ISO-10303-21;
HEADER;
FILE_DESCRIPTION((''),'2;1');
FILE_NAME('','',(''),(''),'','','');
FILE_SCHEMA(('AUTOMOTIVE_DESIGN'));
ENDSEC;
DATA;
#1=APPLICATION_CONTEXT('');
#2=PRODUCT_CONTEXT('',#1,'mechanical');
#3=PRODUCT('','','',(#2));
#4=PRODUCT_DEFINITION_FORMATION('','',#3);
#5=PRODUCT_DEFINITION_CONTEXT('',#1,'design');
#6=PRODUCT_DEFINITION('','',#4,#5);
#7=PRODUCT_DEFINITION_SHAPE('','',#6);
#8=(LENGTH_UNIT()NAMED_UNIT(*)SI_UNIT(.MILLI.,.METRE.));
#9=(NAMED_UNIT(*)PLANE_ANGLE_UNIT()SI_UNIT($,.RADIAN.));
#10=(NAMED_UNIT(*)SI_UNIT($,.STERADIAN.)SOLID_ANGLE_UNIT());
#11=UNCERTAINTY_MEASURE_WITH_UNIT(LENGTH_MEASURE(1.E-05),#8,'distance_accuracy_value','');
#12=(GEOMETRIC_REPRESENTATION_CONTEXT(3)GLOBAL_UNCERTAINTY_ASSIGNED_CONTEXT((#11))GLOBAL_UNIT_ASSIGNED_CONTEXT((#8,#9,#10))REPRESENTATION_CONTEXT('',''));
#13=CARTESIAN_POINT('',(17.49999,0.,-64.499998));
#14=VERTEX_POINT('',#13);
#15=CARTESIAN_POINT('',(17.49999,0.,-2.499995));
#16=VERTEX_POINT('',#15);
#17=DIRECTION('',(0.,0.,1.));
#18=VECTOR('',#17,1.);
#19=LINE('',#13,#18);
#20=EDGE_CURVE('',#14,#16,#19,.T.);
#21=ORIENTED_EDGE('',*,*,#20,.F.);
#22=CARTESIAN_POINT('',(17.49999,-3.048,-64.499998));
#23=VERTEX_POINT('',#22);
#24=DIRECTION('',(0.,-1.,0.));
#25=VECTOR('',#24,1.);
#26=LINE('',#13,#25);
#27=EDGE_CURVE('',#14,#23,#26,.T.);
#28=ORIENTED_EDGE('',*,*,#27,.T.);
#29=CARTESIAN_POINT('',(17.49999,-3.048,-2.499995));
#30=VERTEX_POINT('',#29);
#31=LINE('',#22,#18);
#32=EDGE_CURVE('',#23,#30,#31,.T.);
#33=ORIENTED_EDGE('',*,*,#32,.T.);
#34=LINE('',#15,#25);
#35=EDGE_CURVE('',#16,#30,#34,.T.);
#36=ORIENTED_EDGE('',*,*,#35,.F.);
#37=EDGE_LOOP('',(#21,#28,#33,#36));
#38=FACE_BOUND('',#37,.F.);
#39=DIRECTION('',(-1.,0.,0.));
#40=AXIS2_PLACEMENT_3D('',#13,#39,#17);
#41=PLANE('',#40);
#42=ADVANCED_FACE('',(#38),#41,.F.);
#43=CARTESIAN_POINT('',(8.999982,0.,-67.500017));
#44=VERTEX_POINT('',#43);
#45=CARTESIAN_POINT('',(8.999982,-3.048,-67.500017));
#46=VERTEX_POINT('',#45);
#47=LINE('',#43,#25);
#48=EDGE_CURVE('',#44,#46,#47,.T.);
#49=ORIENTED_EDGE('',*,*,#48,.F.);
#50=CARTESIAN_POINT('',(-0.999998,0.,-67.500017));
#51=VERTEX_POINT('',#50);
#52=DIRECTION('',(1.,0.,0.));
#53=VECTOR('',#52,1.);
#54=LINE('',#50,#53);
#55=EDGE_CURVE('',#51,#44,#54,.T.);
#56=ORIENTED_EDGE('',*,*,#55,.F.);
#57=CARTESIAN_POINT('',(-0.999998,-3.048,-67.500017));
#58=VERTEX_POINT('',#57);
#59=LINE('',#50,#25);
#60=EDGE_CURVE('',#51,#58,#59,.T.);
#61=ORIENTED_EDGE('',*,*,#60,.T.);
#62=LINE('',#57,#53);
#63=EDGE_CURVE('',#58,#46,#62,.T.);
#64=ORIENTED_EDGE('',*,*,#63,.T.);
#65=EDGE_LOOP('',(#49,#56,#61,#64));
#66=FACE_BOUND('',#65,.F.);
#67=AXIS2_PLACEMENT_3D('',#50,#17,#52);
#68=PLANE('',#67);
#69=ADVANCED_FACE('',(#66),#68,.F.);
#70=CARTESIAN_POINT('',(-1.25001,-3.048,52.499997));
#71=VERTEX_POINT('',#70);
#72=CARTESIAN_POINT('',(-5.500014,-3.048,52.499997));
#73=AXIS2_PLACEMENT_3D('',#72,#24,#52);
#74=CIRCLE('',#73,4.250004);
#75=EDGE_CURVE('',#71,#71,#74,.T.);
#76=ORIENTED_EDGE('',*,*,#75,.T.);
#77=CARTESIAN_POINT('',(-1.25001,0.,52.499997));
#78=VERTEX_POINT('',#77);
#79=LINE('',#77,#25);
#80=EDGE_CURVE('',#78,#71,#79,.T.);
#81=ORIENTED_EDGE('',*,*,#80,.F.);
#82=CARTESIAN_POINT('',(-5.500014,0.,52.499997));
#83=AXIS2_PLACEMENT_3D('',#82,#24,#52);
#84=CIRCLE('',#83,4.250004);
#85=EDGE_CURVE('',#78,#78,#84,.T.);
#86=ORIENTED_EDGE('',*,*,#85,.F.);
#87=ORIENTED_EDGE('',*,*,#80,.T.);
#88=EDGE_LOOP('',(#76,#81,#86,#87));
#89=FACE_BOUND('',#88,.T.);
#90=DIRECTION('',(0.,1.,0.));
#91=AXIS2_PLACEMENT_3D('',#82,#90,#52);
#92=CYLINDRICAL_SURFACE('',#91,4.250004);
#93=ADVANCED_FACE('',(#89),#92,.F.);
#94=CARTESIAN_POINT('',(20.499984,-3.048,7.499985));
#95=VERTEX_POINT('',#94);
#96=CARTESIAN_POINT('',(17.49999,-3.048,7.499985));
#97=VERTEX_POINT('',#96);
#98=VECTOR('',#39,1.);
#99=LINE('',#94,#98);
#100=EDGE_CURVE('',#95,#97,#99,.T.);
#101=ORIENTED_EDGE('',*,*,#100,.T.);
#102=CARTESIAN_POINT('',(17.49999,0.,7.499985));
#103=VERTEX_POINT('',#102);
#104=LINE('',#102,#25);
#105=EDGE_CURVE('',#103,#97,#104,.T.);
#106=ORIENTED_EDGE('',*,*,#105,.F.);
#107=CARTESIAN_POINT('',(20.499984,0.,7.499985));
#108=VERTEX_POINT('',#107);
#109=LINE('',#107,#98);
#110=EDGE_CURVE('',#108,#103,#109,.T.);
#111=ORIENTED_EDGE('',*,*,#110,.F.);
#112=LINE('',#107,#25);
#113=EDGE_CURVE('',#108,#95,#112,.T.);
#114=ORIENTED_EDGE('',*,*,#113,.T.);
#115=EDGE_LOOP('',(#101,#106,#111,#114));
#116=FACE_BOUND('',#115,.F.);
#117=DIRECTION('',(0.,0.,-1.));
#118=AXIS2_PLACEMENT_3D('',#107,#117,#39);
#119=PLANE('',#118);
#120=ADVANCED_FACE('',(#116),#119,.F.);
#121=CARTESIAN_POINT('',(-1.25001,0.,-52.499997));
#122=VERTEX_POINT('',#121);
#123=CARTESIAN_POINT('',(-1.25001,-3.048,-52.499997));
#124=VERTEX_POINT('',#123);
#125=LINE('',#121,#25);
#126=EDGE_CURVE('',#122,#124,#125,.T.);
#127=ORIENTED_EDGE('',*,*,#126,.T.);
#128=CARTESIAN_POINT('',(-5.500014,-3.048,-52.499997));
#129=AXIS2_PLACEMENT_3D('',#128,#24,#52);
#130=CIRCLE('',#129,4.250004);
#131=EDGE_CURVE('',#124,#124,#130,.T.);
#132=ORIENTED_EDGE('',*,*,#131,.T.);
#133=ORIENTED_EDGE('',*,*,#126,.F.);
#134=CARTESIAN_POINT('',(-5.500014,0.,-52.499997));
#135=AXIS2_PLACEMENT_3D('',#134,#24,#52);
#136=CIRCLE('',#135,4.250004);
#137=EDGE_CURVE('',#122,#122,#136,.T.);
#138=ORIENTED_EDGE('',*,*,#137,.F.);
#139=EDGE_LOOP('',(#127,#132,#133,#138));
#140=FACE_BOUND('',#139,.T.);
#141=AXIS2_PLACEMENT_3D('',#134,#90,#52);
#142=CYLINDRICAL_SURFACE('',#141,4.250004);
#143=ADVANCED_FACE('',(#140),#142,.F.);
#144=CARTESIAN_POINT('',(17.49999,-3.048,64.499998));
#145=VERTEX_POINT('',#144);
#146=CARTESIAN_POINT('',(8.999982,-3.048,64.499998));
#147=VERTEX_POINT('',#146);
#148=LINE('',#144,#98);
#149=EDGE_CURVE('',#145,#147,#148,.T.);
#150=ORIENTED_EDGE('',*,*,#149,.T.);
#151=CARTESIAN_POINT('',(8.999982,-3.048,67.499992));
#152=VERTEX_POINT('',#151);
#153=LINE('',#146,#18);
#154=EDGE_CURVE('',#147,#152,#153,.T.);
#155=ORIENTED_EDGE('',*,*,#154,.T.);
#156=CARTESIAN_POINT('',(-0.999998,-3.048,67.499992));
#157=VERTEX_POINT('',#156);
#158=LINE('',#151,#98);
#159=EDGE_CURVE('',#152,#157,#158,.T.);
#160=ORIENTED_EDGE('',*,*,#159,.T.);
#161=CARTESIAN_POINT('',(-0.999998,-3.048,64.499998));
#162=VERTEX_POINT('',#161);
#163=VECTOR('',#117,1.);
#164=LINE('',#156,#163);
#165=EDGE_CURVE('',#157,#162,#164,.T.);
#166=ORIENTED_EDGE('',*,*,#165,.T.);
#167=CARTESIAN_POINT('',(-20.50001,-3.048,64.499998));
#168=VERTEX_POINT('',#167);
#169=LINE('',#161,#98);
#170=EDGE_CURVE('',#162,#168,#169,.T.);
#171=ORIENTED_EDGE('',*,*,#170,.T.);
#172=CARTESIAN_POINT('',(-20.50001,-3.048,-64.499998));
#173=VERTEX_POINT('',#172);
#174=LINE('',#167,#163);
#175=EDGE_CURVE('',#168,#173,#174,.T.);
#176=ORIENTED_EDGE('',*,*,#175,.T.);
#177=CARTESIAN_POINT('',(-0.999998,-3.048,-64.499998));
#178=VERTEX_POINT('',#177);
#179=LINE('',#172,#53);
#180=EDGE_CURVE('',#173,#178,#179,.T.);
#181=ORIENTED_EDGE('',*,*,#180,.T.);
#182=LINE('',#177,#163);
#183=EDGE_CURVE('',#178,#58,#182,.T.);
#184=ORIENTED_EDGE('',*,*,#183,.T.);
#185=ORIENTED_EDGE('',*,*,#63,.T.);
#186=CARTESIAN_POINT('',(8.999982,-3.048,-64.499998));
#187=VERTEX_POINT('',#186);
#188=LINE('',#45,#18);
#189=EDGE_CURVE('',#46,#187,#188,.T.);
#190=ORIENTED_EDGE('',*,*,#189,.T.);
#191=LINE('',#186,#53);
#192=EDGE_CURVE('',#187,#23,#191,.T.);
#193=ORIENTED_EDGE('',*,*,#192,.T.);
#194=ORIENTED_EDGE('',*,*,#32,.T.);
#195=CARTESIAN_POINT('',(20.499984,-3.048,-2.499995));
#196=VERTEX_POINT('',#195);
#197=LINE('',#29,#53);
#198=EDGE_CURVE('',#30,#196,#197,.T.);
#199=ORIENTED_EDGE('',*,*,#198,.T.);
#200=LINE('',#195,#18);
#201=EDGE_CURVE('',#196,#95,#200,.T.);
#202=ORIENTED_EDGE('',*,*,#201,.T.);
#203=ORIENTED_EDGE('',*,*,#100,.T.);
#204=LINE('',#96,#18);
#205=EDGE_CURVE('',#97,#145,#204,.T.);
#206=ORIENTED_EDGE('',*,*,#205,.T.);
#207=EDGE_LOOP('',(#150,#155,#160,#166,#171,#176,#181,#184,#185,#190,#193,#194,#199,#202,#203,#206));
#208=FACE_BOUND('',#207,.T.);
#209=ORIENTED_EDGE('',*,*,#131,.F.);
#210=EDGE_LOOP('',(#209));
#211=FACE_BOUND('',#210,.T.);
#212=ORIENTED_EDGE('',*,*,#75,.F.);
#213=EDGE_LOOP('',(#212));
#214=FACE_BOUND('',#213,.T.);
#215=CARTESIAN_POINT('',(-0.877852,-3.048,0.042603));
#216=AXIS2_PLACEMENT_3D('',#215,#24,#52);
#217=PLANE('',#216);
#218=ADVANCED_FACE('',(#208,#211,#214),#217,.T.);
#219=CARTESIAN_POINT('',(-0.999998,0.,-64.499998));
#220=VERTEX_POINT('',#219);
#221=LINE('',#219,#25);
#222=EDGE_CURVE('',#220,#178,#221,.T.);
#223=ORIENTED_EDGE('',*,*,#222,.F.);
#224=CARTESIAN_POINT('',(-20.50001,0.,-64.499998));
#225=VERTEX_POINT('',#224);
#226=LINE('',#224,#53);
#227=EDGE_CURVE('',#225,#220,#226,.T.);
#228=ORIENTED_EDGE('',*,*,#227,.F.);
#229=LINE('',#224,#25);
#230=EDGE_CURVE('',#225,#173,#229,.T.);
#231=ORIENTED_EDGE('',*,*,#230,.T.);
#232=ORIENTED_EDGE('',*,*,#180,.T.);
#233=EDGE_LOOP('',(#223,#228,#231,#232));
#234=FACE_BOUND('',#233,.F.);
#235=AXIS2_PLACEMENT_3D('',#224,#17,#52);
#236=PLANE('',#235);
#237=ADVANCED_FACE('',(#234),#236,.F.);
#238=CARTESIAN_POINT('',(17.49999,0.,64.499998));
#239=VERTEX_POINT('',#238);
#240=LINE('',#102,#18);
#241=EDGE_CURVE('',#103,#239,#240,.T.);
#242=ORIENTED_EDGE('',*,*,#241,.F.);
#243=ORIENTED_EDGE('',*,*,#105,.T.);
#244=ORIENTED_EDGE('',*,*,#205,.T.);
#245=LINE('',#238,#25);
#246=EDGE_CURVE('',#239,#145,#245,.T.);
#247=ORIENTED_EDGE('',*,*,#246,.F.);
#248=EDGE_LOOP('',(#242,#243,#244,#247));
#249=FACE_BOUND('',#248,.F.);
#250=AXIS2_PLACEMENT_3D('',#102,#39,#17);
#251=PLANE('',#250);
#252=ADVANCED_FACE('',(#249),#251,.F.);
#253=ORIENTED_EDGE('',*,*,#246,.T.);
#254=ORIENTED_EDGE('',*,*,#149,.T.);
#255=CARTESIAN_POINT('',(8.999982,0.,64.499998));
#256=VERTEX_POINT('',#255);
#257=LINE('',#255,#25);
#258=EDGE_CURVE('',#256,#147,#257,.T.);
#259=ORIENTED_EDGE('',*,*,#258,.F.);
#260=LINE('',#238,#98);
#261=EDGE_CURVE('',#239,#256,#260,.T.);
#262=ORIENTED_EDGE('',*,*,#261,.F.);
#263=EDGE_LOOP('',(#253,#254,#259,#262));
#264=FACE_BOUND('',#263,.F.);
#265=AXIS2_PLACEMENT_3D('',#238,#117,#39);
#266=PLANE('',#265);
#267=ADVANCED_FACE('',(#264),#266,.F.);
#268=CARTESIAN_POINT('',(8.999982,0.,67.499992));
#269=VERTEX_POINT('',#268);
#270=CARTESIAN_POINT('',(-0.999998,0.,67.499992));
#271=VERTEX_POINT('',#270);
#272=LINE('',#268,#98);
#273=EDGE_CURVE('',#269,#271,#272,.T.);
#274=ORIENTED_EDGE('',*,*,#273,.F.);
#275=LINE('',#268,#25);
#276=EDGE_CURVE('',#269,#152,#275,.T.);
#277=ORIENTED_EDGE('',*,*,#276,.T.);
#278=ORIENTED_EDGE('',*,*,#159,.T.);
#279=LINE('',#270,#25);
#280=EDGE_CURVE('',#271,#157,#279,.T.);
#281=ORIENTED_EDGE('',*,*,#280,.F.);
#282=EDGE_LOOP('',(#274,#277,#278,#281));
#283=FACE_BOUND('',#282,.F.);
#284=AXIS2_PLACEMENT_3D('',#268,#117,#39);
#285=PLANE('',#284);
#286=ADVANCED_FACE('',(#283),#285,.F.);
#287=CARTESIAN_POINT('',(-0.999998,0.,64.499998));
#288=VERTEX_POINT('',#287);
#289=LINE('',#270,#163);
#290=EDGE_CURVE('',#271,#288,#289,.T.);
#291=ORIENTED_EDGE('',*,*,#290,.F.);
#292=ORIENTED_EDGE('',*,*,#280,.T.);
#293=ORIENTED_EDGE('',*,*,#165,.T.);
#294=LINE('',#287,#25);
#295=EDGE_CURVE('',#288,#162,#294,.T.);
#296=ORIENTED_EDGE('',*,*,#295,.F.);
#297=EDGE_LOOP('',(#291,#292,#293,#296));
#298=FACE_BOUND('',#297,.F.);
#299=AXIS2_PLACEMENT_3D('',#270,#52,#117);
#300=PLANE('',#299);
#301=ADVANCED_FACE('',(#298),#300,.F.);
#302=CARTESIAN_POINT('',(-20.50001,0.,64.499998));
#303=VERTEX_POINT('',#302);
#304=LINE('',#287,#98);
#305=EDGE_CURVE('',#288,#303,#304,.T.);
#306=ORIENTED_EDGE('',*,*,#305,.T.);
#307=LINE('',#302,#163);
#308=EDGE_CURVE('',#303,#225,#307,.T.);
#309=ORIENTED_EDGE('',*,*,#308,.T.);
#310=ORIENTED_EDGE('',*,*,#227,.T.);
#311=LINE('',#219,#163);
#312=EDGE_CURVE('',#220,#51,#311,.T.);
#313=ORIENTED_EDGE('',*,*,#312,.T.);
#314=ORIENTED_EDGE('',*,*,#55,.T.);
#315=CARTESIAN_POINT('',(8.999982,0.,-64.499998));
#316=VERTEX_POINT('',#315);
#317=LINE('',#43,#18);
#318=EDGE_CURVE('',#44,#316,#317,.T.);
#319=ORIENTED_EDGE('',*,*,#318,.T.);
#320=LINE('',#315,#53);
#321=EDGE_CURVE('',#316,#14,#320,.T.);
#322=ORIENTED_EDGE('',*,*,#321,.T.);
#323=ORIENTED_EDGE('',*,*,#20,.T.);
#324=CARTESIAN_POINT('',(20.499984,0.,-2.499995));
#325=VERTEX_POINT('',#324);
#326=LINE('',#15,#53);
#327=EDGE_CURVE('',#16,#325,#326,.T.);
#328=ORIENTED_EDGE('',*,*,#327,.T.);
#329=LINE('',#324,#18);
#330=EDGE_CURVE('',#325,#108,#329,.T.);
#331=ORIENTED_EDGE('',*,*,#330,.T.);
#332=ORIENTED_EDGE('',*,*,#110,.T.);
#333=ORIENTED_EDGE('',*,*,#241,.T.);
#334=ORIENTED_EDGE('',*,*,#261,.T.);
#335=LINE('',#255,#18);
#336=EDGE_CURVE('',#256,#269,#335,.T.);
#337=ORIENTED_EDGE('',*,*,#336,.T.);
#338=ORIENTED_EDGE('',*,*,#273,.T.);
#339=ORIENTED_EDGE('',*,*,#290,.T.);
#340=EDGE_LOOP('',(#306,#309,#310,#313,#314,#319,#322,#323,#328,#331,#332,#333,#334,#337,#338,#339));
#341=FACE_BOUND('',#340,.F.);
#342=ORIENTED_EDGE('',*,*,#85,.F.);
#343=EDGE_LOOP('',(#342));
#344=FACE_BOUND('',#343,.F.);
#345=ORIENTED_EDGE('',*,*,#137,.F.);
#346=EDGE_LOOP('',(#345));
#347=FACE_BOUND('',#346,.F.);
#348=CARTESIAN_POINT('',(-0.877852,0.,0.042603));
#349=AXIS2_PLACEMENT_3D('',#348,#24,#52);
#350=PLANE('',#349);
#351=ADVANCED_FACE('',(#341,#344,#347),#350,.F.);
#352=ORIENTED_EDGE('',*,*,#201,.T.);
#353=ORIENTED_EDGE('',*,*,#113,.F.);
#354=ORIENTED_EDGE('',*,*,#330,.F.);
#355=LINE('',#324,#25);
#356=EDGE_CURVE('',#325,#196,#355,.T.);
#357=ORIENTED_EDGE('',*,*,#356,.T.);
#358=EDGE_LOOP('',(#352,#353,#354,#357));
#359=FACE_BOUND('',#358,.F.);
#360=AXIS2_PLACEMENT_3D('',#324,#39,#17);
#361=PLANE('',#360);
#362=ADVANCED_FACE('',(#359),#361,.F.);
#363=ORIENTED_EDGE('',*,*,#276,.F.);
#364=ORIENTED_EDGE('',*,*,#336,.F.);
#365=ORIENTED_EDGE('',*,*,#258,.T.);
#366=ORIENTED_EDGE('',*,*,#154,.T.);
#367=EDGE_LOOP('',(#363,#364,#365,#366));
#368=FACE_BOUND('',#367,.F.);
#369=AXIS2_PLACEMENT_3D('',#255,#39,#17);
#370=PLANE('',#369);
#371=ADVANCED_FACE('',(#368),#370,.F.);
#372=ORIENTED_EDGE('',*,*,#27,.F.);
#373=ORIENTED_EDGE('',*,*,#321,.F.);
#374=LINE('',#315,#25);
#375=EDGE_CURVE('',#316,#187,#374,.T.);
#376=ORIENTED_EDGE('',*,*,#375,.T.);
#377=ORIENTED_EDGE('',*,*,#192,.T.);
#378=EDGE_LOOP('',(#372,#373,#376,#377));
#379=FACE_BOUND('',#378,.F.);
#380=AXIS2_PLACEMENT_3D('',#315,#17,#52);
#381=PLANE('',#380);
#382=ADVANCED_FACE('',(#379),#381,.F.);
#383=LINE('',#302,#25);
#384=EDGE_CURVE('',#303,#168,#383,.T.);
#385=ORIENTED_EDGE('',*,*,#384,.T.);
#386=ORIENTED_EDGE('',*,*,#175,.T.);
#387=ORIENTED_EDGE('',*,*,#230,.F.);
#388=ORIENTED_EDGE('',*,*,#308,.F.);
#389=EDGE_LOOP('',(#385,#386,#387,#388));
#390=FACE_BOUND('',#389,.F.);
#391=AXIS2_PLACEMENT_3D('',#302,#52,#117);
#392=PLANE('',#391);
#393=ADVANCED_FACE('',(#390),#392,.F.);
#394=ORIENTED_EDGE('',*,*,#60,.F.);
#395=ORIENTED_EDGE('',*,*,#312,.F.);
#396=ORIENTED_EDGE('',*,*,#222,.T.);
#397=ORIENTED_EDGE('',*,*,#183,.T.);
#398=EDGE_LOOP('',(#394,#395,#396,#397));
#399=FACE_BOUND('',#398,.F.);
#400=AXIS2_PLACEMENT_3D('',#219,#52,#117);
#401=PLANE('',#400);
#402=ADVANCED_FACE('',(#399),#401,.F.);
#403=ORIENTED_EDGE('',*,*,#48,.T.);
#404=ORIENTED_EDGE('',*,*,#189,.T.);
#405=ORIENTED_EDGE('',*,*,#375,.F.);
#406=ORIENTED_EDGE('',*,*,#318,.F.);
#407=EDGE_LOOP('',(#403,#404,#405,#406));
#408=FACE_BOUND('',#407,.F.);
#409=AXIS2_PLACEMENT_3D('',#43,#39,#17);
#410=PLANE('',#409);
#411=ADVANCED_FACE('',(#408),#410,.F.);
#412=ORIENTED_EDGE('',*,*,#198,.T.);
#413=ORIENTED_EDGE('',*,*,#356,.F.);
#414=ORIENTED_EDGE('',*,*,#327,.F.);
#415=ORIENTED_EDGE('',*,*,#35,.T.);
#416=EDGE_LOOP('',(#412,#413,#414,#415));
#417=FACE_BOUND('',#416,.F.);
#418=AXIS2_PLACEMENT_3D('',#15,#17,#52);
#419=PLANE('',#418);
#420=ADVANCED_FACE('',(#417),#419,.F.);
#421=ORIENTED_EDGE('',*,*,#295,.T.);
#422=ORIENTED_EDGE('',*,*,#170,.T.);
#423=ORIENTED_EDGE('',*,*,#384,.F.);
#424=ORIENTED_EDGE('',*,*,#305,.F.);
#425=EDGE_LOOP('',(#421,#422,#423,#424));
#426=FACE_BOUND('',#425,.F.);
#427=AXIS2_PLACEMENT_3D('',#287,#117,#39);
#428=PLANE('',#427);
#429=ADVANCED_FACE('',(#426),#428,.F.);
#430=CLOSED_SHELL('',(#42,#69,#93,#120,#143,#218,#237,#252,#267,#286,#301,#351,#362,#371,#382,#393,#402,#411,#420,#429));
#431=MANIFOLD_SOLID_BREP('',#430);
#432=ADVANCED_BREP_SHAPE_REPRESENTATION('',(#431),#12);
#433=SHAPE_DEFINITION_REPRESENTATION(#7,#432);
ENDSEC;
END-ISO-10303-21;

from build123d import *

# Parameters (mm, degrees)
F0_R     = 4.250004
F1_DEPTH = 3.048


with BuildPart() as f1:
    # F0 (on Front) → F1 (new body)
    with BuildSketch(Plane.XZ):
        Polygon((17.49999, -64.499998), (17.49999, -2.499995), (20.499984, -2.499995), (20.499984, 7.499985), (17.49999, 7.499985), (17.49999, 64.499998), (8.999982, 64.499998), (8.999982, 67.499992), (-0.999998, 67.499992), (-0.999998, 64.499998), (-20.50001, 64.499998), (-20.50001, -64.499998), (-0.999998, -64.499998), (-0.999998, -67.500017), (8.999982, -67.500017), (8.999982, -64.499998), align=None)
        with Locations((-5.500014, -52.499997)):
            Circle(F0_R, mode=Mode.SUBTRACT)
        with Locations((-5.500014, 52.499997)):
            Circle(F0_R, mode=Mode.SUBTRACT)
    extrude(amount=F1_DEPTH)


solid = f1.part
